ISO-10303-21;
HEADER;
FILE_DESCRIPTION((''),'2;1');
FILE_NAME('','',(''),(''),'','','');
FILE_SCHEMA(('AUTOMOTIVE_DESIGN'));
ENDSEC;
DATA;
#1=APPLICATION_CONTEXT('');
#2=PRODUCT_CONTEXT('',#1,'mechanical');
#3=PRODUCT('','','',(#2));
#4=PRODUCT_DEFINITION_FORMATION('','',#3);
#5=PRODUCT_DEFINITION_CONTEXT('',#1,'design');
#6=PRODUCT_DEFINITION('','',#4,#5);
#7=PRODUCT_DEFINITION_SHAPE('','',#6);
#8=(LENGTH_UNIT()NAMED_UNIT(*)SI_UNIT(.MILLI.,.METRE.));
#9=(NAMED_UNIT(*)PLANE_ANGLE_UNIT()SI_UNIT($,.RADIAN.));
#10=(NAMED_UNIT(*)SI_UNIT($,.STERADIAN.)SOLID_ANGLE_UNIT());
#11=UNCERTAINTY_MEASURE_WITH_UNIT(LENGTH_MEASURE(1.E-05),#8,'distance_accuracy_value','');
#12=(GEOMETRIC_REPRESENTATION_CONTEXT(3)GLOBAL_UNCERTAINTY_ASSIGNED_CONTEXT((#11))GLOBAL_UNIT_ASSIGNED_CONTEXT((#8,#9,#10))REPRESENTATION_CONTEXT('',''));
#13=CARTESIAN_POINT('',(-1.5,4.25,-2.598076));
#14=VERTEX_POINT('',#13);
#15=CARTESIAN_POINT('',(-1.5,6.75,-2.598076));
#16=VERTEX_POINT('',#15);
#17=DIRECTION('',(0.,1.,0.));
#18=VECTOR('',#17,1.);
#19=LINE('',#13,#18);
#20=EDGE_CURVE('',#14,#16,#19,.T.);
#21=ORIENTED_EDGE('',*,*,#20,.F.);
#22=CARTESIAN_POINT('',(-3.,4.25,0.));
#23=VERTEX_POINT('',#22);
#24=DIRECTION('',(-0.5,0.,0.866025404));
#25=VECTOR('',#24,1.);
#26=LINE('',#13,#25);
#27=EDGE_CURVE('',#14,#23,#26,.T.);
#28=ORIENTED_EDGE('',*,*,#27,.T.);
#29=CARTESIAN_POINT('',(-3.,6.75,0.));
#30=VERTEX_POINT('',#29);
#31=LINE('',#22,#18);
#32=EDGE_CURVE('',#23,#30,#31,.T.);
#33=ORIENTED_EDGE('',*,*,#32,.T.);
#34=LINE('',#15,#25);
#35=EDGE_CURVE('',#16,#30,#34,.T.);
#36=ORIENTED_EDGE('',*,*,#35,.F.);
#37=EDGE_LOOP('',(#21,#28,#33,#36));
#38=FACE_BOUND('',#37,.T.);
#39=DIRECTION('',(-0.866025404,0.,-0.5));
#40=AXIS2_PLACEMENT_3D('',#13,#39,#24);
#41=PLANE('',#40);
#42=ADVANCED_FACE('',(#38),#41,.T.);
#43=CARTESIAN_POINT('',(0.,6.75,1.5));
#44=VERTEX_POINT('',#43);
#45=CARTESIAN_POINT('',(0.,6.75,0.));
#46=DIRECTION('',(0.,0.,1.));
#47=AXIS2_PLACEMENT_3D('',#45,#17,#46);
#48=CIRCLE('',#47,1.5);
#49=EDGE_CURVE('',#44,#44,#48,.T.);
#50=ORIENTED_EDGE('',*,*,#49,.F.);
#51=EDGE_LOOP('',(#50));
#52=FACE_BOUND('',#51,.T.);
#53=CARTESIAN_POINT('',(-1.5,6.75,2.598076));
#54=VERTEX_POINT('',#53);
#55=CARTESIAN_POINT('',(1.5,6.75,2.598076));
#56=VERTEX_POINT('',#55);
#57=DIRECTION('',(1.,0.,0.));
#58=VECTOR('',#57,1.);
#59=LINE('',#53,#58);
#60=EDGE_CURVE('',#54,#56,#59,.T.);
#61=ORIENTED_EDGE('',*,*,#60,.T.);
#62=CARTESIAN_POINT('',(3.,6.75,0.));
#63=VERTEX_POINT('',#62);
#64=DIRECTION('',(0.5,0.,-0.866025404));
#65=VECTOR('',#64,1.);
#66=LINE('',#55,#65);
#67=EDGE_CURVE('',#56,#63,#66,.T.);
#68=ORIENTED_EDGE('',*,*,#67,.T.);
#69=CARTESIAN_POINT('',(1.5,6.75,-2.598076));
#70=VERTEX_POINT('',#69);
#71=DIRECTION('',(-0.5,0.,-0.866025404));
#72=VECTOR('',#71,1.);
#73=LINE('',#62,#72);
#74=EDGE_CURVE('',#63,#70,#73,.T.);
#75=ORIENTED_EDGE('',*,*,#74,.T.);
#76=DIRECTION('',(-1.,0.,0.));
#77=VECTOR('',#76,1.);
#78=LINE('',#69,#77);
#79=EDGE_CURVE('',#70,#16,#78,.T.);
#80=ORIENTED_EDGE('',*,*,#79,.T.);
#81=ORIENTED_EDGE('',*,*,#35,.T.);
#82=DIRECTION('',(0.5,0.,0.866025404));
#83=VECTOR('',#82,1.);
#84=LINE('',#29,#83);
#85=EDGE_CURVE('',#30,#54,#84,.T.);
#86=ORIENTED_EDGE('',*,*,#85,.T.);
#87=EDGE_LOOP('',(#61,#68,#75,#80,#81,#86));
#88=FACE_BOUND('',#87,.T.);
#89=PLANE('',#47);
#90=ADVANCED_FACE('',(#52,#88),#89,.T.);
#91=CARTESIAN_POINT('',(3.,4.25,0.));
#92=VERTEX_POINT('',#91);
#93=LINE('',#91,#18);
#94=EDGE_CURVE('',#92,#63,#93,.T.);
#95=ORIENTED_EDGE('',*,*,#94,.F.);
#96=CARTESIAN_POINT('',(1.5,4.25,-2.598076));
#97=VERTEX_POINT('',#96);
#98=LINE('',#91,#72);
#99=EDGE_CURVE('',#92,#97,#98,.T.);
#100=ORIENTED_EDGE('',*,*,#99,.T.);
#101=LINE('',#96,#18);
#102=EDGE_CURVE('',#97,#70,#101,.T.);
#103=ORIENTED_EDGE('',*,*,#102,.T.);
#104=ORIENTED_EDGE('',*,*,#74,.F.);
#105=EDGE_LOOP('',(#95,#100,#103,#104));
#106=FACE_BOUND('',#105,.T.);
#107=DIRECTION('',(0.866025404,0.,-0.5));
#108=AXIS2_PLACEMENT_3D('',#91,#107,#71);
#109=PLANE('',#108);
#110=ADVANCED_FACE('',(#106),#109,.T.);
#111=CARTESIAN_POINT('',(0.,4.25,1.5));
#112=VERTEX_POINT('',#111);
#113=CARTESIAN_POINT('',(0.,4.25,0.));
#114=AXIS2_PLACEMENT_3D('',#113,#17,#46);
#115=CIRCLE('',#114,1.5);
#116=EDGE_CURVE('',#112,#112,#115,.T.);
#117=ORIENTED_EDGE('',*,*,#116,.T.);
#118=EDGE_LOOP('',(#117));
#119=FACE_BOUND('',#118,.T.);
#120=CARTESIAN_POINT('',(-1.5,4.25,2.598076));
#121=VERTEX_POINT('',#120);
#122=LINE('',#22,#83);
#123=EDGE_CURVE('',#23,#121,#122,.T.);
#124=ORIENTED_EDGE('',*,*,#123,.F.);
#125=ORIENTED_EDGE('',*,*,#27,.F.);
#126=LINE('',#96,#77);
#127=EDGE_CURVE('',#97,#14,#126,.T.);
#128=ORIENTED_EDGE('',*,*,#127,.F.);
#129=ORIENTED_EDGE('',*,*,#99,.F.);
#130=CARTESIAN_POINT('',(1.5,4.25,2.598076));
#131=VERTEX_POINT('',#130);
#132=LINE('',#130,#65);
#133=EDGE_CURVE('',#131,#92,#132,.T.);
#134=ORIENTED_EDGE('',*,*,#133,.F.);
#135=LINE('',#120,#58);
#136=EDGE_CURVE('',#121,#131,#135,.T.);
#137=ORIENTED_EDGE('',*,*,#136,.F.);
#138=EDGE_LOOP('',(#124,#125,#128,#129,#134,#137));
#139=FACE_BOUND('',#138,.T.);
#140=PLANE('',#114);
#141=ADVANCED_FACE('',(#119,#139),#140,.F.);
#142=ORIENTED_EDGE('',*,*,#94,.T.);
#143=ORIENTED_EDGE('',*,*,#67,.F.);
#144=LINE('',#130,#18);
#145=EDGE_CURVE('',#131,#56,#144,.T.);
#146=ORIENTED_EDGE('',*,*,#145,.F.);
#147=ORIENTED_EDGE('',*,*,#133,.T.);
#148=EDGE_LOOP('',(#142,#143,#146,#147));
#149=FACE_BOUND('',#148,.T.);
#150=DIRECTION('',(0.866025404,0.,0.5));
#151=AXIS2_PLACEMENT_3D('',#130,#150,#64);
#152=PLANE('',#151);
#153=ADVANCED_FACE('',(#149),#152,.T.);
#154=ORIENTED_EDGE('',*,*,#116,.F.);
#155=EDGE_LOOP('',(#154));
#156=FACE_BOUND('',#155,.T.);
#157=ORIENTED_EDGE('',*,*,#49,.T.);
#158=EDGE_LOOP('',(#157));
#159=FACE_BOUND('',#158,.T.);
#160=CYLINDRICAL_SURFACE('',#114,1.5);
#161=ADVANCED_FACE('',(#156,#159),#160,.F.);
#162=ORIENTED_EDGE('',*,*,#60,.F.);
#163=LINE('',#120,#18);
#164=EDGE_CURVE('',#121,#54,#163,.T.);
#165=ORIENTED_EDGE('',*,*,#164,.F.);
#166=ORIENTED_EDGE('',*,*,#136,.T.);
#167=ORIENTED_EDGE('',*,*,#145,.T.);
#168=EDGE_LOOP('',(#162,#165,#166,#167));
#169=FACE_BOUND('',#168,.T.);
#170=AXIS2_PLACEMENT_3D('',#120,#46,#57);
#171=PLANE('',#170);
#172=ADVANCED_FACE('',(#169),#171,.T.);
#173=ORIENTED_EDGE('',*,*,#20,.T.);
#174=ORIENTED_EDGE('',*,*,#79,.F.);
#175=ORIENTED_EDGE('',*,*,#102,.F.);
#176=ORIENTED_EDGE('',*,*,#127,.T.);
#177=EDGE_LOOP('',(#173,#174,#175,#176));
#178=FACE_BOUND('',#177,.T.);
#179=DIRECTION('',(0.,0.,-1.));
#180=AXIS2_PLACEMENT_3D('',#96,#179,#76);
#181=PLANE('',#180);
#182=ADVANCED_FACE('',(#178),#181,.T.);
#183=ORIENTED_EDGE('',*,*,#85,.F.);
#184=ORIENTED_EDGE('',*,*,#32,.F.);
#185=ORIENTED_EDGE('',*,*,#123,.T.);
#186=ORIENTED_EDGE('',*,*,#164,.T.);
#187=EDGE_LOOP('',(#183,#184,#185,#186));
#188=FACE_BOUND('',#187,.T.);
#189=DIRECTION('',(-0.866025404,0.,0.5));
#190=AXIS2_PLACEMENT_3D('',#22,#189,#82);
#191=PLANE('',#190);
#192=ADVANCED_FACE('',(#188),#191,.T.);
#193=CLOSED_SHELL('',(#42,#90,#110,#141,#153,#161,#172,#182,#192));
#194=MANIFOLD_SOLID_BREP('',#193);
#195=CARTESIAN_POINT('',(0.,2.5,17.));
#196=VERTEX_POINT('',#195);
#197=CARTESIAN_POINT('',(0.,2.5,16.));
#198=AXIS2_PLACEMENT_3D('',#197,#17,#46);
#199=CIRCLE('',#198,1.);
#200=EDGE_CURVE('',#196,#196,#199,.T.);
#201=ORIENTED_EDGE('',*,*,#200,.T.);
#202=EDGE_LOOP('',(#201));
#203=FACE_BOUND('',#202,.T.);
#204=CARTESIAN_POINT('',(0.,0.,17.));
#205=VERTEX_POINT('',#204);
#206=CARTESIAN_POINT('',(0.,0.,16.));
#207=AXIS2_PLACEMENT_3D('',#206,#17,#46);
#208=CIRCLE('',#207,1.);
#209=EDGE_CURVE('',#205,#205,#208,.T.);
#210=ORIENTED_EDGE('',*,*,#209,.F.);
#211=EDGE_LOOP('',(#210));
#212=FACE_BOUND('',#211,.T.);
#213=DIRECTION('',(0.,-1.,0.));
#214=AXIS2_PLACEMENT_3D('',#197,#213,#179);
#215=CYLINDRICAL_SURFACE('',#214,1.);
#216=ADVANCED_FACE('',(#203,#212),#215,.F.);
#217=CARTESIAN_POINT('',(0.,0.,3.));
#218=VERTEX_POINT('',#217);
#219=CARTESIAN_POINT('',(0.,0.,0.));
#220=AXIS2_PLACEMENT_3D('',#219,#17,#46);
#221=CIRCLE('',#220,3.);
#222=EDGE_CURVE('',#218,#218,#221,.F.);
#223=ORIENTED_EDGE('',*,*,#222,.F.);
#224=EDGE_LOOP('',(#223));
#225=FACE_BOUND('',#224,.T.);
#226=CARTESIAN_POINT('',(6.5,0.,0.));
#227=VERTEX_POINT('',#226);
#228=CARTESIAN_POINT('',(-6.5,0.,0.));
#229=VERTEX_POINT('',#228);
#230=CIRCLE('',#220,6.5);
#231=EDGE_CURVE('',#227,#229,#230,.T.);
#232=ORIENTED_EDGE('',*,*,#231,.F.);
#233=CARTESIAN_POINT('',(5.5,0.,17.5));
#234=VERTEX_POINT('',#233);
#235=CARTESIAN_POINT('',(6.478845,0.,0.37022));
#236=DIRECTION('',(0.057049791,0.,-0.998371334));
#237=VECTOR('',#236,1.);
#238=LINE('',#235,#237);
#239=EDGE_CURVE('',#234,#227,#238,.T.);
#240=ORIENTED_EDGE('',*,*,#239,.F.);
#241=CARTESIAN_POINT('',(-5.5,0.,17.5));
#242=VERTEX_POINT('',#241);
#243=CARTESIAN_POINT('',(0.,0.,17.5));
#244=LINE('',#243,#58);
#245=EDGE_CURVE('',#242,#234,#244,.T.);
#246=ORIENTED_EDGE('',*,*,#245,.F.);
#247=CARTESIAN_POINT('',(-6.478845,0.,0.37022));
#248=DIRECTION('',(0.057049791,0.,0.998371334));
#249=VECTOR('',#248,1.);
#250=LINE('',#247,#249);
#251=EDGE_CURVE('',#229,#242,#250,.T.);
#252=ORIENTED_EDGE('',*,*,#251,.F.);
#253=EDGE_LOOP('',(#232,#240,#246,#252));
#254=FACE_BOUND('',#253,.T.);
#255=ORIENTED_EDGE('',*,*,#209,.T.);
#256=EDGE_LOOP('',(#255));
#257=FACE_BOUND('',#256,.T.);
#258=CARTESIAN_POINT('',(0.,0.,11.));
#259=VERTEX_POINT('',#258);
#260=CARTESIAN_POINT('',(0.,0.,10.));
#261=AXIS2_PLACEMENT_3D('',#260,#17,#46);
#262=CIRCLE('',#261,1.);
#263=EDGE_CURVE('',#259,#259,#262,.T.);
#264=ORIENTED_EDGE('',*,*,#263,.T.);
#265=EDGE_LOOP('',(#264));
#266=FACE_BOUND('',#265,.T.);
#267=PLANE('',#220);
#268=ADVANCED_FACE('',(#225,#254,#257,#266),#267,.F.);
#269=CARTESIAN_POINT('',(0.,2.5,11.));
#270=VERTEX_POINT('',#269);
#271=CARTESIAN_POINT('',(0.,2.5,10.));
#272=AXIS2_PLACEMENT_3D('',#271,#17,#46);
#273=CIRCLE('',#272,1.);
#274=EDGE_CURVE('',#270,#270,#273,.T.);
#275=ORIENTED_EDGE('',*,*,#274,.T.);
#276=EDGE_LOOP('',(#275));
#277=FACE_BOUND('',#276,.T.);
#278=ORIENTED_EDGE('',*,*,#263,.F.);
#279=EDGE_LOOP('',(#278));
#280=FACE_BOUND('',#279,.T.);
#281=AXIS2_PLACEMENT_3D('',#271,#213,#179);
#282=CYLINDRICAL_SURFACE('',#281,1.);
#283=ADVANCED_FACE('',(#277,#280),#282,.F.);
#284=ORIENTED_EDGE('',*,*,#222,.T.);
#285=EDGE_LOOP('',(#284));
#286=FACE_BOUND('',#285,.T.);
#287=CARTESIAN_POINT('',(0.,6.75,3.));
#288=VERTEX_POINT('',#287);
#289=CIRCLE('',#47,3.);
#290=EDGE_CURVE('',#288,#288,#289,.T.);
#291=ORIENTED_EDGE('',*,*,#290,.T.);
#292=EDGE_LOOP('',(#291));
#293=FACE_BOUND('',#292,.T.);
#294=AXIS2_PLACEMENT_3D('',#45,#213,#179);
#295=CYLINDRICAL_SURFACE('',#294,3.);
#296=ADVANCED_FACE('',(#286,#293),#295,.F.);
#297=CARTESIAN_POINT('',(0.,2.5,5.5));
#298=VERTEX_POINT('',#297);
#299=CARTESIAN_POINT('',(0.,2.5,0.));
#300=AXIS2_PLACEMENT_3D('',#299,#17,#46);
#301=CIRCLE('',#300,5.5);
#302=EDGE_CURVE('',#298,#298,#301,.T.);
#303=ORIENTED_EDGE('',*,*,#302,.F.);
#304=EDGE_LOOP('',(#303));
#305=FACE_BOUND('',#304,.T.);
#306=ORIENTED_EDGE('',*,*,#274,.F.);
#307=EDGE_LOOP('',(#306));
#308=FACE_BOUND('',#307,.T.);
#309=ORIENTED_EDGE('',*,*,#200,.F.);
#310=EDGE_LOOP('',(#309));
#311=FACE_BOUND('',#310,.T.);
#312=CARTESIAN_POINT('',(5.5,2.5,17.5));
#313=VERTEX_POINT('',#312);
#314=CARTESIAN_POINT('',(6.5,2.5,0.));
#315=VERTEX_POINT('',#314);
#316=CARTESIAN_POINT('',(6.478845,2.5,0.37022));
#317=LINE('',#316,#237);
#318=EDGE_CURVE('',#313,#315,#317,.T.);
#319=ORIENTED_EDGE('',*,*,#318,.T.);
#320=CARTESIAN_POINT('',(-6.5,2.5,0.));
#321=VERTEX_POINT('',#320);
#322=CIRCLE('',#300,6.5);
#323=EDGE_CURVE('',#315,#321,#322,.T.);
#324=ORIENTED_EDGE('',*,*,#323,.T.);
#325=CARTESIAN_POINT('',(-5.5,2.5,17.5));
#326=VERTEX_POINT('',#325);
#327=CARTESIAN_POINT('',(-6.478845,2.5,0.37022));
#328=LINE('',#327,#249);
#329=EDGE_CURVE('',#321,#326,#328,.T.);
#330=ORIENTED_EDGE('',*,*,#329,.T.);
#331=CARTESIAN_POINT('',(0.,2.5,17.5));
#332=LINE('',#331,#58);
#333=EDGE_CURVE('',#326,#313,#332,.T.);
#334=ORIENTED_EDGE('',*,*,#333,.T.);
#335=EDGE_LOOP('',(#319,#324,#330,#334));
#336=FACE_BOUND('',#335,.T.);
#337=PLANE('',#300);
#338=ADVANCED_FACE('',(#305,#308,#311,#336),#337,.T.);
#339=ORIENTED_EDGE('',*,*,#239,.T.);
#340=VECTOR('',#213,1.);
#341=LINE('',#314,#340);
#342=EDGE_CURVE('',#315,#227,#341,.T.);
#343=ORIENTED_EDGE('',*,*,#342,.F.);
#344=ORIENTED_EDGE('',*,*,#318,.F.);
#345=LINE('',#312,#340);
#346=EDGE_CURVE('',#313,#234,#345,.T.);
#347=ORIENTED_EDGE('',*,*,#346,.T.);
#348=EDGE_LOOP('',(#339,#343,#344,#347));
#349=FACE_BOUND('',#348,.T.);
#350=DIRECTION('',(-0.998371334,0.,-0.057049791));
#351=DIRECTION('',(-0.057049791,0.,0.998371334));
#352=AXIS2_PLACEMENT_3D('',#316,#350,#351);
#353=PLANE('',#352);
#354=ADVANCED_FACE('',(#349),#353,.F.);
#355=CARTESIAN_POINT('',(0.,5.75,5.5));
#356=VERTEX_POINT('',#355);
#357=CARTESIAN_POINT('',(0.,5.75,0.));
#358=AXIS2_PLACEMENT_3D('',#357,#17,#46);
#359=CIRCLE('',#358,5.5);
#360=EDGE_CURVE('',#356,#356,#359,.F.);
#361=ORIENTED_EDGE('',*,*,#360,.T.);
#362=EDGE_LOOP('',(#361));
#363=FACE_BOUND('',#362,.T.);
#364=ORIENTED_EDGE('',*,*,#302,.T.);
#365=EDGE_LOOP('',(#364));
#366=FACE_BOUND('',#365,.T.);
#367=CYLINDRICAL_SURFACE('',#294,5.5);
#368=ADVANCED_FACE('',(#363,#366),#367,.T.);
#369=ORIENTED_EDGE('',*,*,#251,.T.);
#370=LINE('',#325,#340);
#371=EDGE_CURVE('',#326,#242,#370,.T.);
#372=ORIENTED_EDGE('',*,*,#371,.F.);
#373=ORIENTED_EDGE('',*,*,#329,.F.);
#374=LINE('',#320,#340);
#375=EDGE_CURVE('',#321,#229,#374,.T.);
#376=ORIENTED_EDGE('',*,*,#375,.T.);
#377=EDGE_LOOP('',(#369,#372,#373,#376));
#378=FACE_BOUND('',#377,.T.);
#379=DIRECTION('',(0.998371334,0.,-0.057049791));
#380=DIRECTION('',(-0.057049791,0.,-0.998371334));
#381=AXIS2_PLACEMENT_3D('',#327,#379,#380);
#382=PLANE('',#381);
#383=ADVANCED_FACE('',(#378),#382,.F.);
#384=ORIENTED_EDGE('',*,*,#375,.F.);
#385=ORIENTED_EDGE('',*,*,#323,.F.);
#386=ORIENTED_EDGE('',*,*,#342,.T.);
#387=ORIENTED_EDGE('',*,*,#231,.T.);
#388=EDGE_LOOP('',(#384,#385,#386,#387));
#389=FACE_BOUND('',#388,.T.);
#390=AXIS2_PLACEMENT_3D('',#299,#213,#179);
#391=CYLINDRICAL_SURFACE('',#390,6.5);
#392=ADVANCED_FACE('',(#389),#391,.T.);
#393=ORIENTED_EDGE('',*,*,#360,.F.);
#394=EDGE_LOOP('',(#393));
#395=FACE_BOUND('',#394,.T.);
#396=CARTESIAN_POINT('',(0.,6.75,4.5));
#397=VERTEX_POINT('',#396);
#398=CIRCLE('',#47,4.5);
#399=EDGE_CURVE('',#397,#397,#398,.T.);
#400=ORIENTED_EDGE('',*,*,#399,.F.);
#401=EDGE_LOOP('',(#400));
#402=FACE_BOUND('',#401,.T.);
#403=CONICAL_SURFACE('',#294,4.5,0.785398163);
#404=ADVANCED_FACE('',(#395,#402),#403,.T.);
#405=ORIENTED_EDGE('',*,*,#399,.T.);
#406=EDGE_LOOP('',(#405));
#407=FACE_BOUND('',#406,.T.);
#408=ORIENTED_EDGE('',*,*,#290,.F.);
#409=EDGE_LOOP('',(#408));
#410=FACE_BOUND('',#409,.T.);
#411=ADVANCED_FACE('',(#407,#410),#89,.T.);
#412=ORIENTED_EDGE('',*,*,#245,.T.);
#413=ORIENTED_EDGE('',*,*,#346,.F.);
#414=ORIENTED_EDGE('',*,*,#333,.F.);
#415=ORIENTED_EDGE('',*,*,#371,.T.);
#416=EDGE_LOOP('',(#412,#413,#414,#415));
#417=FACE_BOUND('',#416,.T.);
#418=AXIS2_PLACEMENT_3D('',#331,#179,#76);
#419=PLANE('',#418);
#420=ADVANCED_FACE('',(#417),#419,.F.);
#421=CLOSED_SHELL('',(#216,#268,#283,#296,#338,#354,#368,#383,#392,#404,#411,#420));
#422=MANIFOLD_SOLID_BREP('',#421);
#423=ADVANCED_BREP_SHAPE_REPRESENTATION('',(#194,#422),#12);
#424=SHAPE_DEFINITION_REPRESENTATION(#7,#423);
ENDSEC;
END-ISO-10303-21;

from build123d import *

# Parameters (mm, degrees)
SKETCH1_R           = 1
BOSS_EXTRUDE1_DEPTH = 2.5
SKETCH2_R           = 5.5
SKETCH2_R_2         = 3
BOSS_EXTRUDE3_DEPTH = 4.25
CUT_EXTRUDE1_REACH  = 4.5
SKETCH4_R           = 3
CHAMFER1_SIZE       = 1
SKETCH5_R           = 1.5
BOSS_EXTRUDE4_DEPTH = 2.5


with BuildPart() as part:
    # Sketch1 → Boss-Extrude1 (new body)
    with BuildSketch(Plane(origin=(0, 0, 0), x_dir=(1, 0, 0), z_dir=(0, 1, 0))):
        with BuildLine():
            ThreePointArc((6.5, 0), (0, 6.5), (-6.5, 0))
            Line((-6.5, 0), (-6.457689178, -0.740439382))
            Line((-6.457689178, -0.740439382), (-5.5, -17.5))
            Line((-5.5, -17.5), (5.5, -17.5))
            Line((5.5, -17.5), (6.457689178, -0.740439382))
            Line((6.457689178, -0.740439382), (6.5, 0))
        make_face()
        with Locations((0, -16)):
            Circle(SKETCH1_R, mode=Mode.SUBTRACT)
        with Locations((0, -10)):
            Circle(SKETCH1_R, mode=Mode.SUBTRACT)
    extrude(amount=BOSS_EXTRUDE1_DEPTH)

    # Sketch2 → Boss-Extrude3 (add)
    with BuildSketch(Plane(origin=(0, 2.5, 0), x_dir=(1, 0, 0), z_dir=(0, 1, 0))):
        Circle(SKETCH2_R)
        Circle(SKETCH2_R_2, mode=Mode.SUBTRACT)
    extrude(amount=BOSS_EXTRUDE3_DEPTH)

    # Sketch4 → Cut-Extrude1 (cut, up to next)
    with BuildSketch(Plane(origin=(0, 2.5, 0), x_dir=(1, 0, 0), z_dir=(0, 1, 0)), mode=Mode.PRIVATE) as cut_extrude1_sk1:
        Circle(SKETCH4_R)
    cut_extrude1_tool1 = extrude(cut_extrude1_sk1.sketch, amount=-CUT_EXTRUDE1_REACH, mode=Mode.PRIVATE) & part.part
    add(cut_extrude1_tool1.solids().sort_by_distance((0, 2.5, 0))[0], mode=Mode.SUBTRACT)

    # Chamfer1
    chamfer1_edges = [part.edges().sort_by_distance(p)[0] for p in [
        (-5.5, 6.75, 0),
    ]]
    chamfer(chamfer1_edges, length=CHAMFER1_SIZE)


with BuildPart() as body_2:
    # Sketch5 → Boss-Extrude4 (new body)
    with BuildSketch(Plane(origin=(0, 6.75, 0), x_dir=(1, 0, 0), z_dir=(0, 1, 0))):
        Polygon((3, 0), (1.5, 2.598076211), (-1.5, 2.598076211), (-3, 0), (-1.5, -2.598076211), (1.5, -2.598076211), align=None)
        Circle(SKETCH5_R, mode=Mode.SUBTRACT)
    extrude(amount=-BOSS_EXTRUDE4_DEPTH)


solid = Compound([part.part, body_2.part])
